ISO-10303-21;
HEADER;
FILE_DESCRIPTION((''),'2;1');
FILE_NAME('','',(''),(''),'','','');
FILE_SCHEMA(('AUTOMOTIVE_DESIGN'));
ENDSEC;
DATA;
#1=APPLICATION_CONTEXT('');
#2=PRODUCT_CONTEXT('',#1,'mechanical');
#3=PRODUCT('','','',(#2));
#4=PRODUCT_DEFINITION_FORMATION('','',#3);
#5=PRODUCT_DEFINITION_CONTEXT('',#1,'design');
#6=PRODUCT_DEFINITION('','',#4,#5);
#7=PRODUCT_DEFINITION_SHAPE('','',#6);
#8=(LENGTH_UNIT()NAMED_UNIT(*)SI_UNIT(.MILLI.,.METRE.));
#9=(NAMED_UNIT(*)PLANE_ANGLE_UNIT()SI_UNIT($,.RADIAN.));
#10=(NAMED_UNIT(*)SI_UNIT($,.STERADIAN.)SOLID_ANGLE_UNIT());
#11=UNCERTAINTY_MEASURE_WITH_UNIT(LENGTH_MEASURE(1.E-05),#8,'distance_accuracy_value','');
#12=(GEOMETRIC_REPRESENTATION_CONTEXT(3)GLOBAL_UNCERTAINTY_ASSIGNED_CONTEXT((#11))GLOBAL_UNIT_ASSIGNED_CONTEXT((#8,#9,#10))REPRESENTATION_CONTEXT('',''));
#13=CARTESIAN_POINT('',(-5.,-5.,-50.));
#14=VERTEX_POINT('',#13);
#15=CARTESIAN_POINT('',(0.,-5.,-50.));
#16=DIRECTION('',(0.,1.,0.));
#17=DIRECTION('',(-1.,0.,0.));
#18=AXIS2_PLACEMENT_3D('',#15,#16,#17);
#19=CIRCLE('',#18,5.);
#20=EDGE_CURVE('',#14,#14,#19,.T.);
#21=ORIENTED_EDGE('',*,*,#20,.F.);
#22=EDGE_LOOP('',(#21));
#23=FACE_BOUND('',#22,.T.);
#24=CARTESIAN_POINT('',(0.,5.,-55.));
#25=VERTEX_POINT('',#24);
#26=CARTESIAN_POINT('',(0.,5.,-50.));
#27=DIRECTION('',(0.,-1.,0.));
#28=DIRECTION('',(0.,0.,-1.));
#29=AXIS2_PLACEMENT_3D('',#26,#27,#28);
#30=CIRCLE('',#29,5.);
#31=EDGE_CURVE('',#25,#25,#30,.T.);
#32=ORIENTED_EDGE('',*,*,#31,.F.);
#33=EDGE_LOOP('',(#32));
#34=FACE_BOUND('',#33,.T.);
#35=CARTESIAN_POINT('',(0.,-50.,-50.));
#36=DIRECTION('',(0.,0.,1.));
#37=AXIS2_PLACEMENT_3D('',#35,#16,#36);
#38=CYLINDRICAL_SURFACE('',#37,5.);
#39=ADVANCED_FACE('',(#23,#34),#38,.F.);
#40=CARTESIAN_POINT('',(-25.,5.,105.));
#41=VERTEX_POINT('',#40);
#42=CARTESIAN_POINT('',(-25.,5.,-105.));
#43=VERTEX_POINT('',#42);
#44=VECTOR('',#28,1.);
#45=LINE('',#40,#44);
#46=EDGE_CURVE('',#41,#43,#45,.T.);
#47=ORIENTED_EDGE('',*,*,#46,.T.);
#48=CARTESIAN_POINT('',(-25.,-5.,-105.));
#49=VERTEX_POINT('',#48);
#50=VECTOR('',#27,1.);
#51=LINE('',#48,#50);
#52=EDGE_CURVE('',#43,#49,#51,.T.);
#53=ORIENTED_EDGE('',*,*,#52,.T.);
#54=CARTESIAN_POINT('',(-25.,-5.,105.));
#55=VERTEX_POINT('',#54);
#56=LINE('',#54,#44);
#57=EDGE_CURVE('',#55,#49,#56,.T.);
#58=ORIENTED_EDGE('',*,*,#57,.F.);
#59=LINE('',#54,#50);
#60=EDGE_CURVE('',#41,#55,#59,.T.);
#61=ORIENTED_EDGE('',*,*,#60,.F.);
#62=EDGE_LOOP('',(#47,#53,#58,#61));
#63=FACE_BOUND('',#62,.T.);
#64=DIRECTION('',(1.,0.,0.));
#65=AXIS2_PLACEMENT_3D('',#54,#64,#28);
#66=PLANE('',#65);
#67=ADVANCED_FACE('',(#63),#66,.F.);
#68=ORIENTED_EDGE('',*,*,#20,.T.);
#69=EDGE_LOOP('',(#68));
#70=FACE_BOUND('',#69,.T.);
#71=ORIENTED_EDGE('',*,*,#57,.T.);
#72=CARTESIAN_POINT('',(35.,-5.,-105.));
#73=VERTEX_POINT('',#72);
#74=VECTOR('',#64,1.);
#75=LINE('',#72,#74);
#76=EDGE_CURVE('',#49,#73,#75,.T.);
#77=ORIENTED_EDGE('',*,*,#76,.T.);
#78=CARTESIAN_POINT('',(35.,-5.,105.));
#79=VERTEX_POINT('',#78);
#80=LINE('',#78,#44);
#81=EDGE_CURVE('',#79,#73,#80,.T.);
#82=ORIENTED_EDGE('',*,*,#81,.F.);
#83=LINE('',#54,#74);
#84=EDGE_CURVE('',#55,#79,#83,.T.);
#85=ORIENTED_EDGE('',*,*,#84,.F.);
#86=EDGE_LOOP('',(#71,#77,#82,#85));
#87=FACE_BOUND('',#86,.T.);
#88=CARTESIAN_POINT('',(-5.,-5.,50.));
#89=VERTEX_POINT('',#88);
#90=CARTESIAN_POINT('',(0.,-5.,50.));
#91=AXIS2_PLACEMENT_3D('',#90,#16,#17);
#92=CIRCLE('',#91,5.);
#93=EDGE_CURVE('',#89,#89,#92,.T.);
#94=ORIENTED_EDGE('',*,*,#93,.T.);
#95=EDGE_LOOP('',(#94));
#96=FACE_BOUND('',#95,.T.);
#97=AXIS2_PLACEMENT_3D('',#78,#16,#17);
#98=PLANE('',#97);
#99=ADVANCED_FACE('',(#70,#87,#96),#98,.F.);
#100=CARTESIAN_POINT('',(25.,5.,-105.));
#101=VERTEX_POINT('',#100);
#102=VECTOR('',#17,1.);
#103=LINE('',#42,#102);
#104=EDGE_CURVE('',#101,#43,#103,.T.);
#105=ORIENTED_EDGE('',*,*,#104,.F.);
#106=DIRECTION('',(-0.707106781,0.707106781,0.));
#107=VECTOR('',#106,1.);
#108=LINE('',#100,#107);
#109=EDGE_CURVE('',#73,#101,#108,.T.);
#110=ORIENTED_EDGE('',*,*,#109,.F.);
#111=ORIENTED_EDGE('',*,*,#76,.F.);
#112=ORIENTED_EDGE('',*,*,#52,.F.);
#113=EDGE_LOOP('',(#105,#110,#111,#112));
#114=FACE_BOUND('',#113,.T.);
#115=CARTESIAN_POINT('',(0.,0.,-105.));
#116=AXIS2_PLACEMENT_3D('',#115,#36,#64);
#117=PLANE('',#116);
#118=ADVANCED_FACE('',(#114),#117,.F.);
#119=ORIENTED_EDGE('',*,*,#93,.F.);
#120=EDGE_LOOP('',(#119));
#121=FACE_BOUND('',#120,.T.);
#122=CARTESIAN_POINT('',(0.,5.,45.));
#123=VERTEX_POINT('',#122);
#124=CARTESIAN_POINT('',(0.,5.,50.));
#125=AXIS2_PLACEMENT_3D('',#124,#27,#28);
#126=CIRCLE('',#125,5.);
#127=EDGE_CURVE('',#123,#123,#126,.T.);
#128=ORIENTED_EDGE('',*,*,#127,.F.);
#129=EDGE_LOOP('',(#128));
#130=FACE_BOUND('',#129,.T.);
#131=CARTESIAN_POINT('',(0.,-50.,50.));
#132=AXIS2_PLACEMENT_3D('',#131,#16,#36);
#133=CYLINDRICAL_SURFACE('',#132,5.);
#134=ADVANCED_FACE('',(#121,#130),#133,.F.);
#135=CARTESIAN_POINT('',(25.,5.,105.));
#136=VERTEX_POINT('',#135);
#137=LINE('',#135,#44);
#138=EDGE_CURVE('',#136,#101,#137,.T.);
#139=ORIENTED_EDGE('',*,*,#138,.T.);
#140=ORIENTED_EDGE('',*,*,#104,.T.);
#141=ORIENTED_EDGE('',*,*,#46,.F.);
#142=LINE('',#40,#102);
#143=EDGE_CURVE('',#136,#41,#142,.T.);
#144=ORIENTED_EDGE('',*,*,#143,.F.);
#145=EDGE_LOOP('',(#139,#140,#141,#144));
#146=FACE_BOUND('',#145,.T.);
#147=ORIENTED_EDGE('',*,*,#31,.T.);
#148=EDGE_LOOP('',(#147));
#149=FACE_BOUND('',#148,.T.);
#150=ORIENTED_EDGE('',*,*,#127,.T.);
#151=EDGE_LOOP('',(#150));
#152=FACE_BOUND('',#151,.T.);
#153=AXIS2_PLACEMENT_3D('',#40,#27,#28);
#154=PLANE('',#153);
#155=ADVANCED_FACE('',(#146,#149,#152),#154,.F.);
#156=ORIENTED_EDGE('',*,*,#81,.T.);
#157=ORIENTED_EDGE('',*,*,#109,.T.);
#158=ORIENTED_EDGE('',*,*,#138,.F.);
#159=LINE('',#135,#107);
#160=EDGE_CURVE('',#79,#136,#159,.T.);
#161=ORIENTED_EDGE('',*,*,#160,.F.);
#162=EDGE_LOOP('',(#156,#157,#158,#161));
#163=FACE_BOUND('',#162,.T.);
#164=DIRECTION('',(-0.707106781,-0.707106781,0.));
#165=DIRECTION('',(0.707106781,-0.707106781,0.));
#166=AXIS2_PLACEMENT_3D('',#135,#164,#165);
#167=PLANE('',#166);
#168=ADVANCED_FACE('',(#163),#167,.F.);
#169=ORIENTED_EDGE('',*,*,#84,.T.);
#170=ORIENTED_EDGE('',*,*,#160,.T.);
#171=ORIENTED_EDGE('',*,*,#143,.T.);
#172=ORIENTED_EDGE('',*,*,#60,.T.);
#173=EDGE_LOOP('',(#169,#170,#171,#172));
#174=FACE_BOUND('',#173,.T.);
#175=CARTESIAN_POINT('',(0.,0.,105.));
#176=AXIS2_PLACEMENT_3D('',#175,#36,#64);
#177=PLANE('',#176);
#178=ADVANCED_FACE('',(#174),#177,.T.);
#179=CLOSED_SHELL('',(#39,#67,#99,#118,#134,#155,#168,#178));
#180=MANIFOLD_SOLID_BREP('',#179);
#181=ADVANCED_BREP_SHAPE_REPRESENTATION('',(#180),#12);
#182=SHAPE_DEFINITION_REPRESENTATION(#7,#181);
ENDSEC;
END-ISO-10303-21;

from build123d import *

# Parameters (mm, degrees)
BOSS_EXTRUDE1_DEPTH     = 105
CUT_EXTRUDE1_DEPTH      = 50
CUT_EXTRUDE1_DEPTH_BACK = 50
SKETCH2_R               = 5


with BuildPart() as part:
    # Sketch1 → Boss-Extrude1 (new, symmetric)
    with BuildSketch(Plane.XY):
        Polygon((25, 5), (35, -5), (25, -5), (-25, -5), (-25, 5), align=None)
    extrude(amount=BOSS_EXTRUDE1_DEPTH, both=True)

    # Sketch2 → Cut-Extrude1 (cut, two sides: drawn at the far end of the back side and taken through both)
    with BuildSketch(Plane(origin=(0, 0, 0), x_dir=(1, 0, 0), z_dir=(0, 1, 0)).offset(-CUT_EXTRUDE1_DEPTH_BACK)):
        with Locations(Location((0, 50, 0), (0, 0, 180))):
            Circle(SKETCH2_R)
        with Locations(Location((0, -50, 0), (0, 0, 180))):
            Circle(SKETCH2_R)
    extrude(amount=CUT_EXTRUDE1_DEPTH + CUT_EXTRUDE1_DEPTH_BACK, mode=Mode.SUBTRACT)


solid = part.part
